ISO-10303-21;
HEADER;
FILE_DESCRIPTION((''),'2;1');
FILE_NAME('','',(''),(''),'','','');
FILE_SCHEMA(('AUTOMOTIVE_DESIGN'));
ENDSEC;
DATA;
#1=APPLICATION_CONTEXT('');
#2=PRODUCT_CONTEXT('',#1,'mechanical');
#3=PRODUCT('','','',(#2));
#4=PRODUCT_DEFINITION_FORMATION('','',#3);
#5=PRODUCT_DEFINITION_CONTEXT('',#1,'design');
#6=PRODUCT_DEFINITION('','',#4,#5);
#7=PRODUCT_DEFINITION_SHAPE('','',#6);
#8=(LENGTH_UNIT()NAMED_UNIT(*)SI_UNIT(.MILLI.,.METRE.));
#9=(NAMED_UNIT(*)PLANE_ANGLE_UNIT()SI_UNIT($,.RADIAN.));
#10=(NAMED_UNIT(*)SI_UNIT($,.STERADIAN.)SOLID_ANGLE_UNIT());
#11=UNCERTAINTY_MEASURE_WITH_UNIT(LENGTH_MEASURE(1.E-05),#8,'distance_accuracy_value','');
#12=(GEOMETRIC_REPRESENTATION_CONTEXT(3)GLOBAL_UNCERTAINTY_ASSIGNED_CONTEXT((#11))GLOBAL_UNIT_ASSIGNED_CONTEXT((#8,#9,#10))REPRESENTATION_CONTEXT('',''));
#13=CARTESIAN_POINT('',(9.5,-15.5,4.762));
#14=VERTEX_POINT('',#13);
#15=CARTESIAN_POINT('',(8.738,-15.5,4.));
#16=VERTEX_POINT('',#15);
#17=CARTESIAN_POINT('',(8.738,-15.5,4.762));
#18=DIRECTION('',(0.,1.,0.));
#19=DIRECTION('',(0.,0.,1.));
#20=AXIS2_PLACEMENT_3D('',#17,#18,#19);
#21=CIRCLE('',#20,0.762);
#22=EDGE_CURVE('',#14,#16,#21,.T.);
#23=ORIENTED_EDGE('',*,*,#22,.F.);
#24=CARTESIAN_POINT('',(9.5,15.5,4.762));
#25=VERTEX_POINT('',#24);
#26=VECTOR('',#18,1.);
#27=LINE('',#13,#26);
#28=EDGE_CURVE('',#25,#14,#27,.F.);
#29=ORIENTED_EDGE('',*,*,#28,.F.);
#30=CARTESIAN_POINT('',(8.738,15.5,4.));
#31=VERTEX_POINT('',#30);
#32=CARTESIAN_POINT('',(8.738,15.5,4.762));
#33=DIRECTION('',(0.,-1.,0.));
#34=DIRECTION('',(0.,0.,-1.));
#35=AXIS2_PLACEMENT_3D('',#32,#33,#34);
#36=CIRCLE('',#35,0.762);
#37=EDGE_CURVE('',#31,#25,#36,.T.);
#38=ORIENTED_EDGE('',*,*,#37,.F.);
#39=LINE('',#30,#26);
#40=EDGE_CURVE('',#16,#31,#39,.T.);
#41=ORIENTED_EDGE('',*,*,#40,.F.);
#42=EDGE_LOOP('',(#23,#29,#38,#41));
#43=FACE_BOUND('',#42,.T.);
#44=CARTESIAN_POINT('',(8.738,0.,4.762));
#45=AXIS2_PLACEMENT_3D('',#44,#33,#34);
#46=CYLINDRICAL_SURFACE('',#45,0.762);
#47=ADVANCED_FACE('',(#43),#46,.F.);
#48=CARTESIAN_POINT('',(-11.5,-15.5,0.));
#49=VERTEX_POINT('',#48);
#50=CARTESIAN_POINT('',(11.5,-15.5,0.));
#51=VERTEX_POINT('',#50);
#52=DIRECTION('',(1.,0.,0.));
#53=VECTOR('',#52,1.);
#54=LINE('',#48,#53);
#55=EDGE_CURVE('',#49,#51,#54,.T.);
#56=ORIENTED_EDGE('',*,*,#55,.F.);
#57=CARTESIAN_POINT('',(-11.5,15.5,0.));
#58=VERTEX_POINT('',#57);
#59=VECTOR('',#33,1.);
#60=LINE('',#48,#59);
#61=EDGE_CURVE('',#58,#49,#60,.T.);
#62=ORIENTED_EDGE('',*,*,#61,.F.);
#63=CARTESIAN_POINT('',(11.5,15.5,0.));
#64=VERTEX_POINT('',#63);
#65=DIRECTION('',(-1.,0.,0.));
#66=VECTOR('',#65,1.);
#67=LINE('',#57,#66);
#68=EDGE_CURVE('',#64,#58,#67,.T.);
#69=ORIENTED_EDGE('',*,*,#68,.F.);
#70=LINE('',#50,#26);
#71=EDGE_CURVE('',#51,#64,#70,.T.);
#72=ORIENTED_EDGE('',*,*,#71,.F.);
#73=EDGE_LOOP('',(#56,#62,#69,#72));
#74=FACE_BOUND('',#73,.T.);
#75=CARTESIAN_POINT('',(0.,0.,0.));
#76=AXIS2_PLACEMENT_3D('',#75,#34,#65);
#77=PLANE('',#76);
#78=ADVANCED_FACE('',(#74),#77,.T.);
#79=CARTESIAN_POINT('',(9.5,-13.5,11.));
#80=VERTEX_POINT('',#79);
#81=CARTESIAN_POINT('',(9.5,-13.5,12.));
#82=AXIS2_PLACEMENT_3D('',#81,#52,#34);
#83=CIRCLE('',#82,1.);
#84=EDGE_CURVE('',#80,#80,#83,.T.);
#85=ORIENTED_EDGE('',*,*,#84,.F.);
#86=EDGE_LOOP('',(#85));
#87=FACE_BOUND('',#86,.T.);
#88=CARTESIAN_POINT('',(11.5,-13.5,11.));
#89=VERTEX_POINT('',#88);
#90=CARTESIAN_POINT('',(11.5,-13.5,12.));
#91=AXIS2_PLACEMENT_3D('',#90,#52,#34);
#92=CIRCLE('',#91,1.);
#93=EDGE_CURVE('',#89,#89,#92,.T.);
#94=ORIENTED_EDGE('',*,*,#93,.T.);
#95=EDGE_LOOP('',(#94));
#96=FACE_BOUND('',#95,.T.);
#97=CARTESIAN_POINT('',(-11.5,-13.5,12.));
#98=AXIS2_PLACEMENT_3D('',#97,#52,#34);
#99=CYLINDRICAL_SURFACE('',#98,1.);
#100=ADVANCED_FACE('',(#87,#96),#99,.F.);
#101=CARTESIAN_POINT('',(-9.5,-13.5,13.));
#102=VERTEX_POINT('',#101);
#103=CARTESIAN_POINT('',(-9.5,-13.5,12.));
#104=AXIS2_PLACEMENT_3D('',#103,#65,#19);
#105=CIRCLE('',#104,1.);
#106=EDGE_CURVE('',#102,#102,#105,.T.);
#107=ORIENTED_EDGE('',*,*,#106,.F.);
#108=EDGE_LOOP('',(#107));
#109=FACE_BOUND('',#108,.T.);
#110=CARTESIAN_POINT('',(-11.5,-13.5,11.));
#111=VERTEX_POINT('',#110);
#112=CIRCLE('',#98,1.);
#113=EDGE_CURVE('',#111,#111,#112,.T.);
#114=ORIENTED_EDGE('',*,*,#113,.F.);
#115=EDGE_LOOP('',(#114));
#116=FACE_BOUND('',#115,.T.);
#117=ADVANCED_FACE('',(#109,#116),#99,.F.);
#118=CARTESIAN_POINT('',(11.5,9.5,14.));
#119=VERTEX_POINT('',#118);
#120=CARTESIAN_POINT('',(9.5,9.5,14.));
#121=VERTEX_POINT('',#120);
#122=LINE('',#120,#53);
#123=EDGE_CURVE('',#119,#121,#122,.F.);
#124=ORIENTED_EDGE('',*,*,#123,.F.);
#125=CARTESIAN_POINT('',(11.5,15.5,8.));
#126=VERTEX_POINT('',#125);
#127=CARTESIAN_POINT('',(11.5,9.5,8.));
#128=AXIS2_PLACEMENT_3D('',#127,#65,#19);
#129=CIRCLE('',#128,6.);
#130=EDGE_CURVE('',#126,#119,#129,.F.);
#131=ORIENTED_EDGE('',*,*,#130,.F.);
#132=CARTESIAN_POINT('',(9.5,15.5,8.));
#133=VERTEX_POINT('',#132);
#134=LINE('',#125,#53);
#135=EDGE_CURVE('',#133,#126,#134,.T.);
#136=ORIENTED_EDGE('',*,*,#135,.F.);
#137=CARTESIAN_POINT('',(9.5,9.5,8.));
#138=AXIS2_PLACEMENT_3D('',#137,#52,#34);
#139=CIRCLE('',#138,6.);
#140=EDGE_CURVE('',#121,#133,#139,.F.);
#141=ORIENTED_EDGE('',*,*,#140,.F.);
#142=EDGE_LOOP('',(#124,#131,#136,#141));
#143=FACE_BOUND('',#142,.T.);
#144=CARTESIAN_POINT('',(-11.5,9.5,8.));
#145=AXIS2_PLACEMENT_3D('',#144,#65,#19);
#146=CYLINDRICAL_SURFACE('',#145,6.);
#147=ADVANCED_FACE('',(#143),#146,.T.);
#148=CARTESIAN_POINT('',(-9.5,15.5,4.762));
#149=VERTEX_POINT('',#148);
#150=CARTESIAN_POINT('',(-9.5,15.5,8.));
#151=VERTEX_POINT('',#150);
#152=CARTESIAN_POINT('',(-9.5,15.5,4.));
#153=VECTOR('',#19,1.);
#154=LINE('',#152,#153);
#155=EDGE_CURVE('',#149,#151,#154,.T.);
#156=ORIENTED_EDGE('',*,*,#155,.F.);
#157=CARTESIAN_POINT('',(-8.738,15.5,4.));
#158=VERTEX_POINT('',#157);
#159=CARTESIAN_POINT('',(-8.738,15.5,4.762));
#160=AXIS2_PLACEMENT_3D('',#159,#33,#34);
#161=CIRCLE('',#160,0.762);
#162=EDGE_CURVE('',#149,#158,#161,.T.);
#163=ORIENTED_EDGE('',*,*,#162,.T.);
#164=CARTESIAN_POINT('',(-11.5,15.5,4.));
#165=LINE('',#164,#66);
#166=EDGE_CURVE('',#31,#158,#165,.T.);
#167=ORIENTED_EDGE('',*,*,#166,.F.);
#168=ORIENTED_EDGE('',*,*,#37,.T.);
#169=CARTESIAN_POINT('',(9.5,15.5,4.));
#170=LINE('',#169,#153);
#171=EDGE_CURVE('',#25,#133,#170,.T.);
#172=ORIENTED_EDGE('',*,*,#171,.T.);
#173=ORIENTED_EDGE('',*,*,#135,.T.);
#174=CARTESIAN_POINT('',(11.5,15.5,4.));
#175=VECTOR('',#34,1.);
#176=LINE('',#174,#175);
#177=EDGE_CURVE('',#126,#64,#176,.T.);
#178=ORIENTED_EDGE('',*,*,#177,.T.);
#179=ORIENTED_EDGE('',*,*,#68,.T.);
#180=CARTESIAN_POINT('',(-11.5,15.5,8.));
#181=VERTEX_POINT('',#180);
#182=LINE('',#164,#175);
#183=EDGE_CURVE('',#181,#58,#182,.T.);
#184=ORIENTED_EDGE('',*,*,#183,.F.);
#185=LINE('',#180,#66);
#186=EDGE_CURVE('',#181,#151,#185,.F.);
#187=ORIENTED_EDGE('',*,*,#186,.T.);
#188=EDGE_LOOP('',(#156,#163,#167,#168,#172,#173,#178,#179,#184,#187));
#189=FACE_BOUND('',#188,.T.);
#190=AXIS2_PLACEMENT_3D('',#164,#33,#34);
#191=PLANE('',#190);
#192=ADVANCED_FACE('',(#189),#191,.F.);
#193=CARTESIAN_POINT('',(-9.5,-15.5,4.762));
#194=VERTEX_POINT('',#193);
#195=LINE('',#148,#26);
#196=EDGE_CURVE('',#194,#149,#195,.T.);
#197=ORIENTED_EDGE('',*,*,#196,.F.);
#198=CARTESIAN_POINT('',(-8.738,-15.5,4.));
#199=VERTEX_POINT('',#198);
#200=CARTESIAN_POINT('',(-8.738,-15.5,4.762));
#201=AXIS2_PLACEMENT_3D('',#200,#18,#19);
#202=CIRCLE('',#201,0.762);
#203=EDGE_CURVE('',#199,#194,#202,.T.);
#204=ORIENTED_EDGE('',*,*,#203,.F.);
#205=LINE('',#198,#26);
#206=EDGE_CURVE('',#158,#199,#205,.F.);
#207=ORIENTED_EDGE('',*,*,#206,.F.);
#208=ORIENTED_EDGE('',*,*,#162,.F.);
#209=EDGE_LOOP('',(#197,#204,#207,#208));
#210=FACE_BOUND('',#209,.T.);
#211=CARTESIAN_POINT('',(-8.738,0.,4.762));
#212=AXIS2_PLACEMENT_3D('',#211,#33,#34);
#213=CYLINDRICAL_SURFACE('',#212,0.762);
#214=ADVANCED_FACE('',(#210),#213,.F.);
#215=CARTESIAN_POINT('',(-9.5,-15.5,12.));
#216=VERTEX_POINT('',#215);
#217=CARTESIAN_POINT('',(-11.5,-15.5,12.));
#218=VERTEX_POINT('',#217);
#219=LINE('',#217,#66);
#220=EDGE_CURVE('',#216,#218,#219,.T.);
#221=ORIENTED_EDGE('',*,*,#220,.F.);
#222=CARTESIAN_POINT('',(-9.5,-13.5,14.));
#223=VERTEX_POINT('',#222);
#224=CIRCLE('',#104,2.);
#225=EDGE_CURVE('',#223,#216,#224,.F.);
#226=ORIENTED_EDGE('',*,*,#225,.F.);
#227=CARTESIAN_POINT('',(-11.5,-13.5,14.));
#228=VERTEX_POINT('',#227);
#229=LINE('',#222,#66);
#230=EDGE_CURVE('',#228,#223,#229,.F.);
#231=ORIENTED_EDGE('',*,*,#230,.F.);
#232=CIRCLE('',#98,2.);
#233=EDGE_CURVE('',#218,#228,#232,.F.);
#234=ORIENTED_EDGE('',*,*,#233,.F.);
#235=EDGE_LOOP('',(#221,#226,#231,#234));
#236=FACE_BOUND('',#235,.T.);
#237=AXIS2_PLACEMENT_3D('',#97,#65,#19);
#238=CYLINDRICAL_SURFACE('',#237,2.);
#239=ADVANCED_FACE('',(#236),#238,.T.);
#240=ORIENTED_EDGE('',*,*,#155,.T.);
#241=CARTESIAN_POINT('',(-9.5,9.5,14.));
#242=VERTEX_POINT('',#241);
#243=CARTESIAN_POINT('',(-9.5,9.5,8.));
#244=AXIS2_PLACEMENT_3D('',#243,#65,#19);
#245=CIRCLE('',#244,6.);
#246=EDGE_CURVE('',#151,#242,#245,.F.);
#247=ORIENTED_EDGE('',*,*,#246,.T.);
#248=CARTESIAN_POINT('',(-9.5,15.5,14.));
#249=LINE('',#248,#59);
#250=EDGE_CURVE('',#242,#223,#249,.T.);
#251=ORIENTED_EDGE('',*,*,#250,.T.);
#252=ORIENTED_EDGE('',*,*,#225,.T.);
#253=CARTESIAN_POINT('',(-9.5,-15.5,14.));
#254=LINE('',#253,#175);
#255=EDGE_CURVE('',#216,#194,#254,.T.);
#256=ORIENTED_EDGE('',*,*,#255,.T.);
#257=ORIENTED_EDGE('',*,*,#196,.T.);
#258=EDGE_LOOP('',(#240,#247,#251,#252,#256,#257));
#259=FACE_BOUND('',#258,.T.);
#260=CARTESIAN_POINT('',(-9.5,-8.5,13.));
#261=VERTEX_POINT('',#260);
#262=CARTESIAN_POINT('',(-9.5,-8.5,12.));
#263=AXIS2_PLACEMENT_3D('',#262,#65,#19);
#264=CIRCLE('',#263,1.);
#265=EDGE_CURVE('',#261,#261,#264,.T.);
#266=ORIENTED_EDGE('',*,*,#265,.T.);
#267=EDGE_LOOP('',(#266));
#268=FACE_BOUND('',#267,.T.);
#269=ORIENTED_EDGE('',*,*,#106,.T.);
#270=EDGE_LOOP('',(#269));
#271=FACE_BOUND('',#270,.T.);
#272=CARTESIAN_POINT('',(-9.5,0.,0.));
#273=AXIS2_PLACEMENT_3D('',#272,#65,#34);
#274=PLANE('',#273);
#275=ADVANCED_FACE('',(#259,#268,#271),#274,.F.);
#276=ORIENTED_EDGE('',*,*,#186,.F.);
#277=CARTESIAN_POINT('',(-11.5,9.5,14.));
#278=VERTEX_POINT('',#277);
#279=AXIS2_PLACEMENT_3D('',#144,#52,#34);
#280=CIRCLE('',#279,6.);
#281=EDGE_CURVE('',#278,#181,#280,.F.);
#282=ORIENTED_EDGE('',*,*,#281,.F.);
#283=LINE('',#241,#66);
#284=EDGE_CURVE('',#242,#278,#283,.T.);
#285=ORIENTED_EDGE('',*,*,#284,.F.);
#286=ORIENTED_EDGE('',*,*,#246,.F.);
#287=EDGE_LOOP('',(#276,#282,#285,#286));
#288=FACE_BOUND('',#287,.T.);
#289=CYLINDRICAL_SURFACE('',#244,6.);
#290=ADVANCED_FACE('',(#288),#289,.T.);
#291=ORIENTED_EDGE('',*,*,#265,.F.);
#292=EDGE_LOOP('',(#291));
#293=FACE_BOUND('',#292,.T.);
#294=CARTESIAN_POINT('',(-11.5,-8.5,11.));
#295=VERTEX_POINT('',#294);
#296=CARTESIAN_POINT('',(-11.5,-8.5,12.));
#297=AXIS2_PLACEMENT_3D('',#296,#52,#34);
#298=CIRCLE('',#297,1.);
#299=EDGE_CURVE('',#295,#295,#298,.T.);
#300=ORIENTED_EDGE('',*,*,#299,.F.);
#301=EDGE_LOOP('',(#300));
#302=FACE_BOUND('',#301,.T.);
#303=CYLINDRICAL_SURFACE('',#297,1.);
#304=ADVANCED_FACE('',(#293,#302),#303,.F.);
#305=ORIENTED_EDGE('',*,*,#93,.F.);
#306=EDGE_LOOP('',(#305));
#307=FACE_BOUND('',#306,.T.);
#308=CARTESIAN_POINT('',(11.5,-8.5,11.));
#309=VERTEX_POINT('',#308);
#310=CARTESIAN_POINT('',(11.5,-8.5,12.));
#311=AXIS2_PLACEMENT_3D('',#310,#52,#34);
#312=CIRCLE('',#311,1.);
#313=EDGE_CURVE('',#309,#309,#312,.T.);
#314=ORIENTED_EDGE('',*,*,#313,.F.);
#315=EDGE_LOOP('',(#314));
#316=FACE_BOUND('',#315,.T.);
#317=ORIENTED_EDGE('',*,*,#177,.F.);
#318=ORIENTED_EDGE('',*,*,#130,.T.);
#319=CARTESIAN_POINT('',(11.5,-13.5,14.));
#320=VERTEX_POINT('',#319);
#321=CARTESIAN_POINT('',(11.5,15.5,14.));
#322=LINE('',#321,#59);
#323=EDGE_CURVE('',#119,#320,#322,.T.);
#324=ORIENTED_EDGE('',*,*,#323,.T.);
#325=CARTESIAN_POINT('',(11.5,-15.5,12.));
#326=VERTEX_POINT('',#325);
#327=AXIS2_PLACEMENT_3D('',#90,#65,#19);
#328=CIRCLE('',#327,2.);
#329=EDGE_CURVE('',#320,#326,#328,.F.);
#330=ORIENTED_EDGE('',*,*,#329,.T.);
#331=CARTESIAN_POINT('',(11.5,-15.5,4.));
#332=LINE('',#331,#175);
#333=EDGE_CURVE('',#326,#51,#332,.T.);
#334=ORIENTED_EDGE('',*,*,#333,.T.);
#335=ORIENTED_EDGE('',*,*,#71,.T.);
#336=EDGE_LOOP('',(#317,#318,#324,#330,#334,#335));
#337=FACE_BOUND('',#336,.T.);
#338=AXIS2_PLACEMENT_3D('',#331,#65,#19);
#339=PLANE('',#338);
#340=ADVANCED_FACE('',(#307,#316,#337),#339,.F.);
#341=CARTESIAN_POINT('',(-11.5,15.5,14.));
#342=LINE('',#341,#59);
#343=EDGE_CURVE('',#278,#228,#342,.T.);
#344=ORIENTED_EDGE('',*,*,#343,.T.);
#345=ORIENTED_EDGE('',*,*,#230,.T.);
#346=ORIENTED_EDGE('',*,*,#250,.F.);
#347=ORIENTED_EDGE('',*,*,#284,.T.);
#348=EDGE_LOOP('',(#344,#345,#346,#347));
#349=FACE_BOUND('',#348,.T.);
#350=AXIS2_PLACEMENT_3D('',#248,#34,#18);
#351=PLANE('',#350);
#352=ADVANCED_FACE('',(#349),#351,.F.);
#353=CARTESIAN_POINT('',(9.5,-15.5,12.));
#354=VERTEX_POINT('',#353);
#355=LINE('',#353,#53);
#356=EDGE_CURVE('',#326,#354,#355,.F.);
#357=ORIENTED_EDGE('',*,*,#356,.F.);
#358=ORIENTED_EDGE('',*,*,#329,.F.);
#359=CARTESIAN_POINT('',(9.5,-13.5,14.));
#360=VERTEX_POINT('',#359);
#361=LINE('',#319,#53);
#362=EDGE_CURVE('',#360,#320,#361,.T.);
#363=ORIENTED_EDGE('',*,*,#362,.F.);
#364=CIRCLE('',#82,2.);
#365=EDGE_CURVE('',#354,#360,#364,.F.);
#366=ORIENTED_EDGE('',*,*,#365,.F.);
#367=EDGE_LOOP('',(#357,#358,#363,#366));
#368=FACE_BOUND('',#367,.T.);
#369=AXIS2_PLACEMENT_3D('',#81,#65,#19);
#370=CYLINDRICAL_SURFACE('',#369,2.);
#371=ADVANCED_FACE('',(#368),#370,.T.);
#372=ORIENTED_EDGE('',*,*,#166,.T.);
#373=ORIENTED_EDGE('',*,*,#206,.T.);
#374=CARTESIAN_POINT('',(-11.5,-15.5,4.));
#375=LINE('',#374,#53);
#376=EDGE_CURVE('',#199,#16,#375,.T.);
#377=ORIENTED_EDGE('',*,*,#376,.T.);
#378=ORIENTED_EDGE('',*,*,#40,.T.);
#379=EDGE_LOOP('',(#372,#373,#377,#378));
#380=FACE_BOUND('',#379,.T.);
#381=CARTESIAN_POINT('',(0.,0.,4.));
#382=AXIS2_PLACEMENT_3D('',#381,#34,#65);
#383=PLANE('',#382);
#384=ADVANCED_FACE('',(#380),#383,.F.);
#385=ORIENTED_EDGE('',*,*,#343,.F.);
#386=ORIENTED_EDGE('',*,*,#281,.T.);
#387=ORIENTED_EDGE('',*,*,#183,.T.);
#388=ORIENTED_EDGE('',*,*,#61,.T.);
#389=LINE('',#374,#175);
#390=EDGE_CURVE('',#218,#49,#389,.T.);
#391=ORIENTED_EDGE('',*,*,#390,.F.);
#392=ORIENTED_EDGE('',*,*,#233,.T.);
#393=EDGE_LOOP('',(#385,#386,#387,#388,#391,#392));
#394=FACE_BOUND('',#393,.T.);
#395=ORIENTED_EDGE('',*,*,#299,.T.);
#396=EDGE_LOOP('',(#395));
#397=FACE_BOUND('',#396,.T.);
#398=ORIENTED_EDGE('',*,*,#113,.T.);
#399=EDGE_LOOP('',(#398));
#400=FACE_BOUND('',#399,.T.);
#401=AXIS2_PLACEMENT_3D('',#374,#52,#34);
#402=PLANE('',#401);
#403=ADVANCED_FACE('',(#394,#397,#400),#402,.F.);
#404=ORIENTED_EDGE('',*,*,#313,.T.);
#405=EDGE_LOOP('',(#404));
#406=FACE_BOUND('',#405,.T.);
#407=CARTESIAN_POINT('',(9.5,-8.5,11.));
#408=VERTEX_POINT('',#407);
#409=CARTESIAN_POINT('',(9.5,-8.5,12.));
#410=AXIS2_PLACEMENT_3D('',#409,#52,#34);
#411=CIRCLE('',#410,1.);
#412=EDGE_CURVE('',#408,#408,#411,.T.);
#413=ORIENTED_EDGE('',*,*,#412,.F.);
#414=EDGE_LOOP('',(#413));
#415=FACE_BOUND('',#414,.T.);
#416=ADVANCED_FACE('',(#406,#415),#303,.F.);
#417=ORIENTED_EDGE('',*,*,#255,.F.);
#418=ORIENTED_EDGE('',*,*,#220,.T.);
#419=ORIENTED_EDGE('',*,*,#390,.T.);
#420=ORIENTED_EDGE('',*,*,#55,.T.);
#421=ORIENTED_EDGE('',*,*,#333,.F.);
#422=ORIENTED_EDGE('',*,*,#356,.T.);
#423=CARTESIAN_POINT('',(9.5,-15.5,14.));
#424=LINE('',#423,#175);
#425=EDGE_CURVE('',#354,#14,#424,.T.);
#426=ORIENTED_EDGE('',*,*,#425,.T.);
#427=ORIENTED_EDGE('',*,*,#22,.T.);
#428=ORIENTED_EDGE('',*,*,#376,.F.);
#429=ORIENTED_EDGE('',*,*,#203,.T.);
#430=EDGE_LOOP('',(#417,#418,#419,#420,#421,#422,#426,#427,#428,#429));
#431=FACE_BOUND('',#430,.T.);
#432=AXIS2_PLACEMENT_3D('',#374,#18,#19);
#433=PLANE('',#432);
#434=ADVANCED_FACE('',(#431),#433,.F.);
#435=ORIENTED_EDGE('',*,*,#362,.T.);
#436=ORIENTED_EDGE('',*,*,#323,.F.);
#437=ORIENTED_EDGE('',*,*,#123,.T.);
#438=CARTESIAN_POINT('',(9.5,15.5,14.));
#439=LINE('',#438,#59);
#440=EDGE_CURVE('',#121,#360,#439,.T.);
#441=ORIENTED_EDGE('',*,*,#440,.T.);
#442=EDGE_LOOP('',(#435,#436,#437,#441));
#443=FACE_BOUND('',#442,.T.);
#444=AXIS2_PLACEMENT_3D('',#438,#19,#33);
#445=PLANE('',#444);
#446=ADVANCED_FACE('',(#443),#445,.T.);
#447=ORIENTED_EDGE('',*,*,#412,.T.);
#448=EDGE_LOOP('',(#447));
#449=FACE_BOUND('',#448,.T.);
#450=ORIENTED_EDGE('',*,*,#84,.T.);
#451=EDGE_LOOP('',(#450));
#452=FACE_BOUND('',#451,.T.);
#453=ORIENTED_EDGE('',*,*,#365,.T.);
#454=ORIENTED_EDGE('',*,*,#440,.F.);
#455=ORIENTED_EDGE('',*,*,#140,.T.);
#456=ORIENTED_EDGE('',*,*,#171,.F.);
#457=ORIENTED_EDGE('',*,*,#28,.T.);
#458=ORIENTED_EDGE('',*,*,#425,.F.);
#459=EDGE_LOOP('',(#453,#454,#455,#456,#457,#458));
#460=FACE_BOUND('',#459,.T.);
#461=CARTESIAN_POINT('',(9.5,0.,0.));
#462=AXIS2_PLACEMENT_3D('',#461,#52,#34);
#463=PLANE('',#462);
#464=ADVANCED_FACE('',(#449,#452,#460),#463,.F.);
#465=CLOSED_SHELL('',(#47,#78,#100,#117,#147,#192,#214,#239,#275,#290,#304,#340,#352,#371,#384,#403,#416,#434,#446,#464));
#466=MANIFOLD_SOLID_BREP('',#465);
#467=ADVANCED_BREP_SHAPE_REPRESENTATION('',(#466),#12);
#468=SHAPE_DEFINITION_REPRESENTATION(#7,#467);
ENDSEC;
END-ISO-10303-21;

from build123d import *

# Parameters (mm, degrees)
SKETCH1_W           = 23
SKETCH1_H           = 31
BOSS_EXTRUDE1_DEPTH = 4
SKETCH2_W           = 10
SKETCH2_H           = 31
BOSS_EXTRUDE2_DEPTH = 2
SKETCH3_R           = 1
CUT_EXTRUDE1_DEPTH  = 24
FILLET1_R           = 2
FILLET2_R           = 6
FILLET3_R           = 0.762


with BuildPart() as part:
    # Sketch1 → Boss-Extrude1 (new body)
    with BuildSketch(Plane.XY):
        Rectangle(SKETCH1_W, SKETCH1_H)
    extrude(amount=BOSS_EXTRUDE1_DEPTH)

    # Sketch2 → Boss-Extrude2 (add)
    with BuildSketch(Plane(origin=(11.5, 0, 0), x_dir=(0, 0, -1), z_dir=(1, 0, 0))):
        with Locations((-9, 0)):
            Rectangle(SKETCH2_W, SKETCH2_H)
    boss_extrude2 = extrude(amount=-BOSS_EXTRUDE2_DEPTH)

    # Mirror1: Boss-Extrude2 across plane
    add(boss_extrude2.mirror(Plane(origin=(0, 0, 0), x_dir=(0, 0, 1), z_dir=(1, 0, 0))))

    # Sketch3 → Cut-Extrude1 (cut, through all)
    with BuildSketch(Plane(origin=(11.5, 0, 0), x_dir=(0, 0, -1), z_dir=(1, 0, 0))):
        with Locations((-12, -8.5)):
            Circle(SKETCH3_R)
        with Locations((-12, -13.5)):
            Circle(SKETCH3_R)
    extrude(amount=-CUT_EXTRUDE1_DEPTH, mode=Mode.SUBTRACT)

    # Fillet1
    fillet1_edges = [part.edges().sort_by_distance(p)[0] for p in [
        (10.5, -15.5, 14),
        (-10.5, -15.5, 14),
    ]]
    fillet(fillet1_edges, radius=FILLET1_R)

    # Fillet2
    fillet2_edges = [part.edges().sort_by_distance(p)[0] for p in [
        (10.5, 15.5, 14),
        (-10.5, 15.5, 14),
    ]]
    fillet(fillet2_edges, radius=FILLET2_R)

    # Fillet3
    fillet3_edges = [part.edges().sort_by_distance(p)[0] for p in [
        (9.5, 0, 4),
        (-9.5, 0, 4),
    ]]
    fillet(fillet3_edges, radius=FILLET3_R)


solid = part.part
